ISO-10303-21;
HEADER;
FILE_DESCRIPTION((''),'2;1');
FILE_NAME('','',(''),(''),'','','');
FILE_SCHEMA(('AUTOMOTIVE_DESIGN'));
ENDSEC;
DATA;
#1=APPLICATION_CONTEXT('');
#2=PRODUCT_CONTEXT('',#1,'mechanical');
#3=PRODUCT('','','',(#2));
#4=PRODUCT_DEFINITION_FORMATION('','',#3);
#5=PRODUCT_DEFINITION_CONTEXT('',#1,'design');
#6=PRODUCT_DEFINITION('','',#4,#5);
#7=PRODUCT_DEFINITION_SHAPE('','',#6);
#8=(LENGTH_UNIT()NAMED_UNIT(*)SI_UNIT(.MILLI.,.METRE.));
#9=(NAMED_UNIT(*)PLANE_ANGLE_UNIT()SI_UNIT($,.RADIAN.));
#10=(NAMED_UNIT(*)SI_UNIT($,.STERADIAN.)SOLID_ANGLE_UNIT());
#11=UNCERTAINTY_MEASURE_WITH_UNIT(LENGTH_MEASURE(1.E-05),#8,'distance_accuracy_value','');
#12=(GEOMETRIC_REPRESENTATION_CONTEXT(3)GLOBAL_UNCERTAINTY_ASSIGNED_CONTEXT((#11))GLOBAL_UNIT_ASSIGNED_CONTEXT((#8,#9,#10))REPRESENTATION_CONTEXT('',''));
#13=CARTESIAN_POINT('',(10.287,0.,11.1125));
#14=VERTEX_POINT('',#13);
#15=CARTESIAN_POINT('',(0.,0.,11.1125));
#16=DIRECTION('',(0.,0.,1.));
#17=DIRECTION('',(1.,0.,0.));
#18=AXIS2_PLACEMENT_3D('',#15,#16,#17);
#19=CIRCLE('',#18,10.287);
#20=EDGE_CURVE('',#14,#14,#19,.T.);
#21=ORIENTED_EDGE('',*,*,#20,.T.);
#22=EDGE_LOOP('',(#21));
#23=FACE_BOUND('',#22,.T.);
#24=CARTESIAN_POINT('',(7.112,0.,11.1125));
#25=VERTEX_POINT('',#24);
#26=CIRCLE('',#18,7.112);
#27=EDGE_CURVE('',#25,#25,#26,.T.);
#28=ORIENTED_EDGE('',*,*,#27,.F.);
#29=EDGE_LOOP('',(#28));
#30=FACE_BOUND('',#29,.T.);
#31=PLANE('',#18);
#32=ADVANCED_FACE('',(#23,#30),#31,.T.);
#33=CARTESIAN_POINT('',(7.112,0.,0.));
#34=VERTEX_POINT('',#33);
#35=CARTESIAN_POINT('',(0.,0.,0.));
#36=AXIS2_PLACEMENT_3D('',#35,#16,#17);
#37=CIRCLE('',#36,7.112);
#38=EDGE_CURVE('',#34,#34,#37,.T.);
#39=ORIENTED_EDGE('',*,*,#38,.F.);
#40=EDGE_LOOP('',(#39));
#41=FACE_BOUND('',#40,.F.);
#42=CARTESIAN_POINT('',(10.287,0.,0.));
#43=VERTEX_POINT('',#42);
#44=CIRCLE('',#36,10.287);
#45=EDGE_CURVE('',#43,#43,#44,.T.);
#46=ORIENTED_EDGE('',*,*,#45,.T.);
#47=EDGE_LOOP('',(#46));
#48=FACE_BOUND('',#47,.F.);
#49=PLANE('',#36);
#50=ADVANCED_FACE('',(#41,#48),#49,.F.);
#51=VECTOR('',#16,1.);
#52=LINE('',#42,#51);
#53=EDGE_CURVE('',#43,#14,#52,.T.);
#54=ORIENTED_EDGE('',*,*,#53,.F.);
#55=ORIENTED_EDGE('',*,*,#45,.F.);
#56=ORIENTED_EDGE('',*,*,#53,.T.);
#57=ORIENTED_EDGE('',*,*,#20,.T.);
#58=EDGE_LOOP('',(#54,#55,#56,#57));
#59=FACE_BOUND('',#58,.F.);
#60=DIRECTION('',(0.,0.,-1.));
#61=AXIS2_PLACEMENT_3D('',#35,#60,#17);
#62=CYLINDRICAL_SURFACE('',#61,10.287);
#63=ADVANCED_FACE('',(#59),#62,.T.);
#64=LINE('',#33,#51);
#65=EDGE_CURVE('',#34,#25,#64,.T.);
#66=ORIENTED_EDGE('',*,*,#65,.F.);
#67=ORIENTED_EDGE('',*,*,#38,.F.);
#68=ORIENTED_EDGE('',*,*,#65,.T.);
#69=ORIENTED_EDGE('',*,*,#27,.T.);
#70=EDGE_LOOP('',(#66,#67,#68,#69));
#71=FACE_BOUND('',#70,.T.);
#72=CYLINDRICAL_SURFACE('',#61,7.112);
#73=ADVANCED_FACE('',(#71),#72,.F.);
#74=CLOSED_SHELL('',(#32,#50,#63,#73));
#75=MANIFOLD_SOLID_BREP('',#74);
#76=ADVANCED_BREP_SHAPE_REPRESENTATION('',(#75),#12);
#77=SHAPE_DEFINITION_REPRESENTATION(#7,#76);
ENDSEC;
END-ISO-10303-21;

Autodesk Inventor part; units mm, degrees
ref_plane "YZ Plane" through (0, 0, 0) normal (1, 0, 0) x (0, 1, 0)
ref_plane "XZ Plane" through (0, 0, 0) normal (0, 1, 0) x (-1, 0, 0)
ref_plane "XY Plane" through (0, 0, 0) normal (0, 0, 1) x (1, 0, 0)
sketch "Sketch1" plane through (0, 0, 0) normal (0, 0, 1) x (1, 0, 0)
  circle A0 centre (0, 0) radius 7.112
  circle A1 centre (0, 0) radius 10.287
  dimension "d0" = 14.224
  dimension "d1" = 3.175
extrude "Extrusion1" add sketch "Sketch1" along normal blind 11.1125
properties part number "GP-SP-003" material "ABS Plastic"
